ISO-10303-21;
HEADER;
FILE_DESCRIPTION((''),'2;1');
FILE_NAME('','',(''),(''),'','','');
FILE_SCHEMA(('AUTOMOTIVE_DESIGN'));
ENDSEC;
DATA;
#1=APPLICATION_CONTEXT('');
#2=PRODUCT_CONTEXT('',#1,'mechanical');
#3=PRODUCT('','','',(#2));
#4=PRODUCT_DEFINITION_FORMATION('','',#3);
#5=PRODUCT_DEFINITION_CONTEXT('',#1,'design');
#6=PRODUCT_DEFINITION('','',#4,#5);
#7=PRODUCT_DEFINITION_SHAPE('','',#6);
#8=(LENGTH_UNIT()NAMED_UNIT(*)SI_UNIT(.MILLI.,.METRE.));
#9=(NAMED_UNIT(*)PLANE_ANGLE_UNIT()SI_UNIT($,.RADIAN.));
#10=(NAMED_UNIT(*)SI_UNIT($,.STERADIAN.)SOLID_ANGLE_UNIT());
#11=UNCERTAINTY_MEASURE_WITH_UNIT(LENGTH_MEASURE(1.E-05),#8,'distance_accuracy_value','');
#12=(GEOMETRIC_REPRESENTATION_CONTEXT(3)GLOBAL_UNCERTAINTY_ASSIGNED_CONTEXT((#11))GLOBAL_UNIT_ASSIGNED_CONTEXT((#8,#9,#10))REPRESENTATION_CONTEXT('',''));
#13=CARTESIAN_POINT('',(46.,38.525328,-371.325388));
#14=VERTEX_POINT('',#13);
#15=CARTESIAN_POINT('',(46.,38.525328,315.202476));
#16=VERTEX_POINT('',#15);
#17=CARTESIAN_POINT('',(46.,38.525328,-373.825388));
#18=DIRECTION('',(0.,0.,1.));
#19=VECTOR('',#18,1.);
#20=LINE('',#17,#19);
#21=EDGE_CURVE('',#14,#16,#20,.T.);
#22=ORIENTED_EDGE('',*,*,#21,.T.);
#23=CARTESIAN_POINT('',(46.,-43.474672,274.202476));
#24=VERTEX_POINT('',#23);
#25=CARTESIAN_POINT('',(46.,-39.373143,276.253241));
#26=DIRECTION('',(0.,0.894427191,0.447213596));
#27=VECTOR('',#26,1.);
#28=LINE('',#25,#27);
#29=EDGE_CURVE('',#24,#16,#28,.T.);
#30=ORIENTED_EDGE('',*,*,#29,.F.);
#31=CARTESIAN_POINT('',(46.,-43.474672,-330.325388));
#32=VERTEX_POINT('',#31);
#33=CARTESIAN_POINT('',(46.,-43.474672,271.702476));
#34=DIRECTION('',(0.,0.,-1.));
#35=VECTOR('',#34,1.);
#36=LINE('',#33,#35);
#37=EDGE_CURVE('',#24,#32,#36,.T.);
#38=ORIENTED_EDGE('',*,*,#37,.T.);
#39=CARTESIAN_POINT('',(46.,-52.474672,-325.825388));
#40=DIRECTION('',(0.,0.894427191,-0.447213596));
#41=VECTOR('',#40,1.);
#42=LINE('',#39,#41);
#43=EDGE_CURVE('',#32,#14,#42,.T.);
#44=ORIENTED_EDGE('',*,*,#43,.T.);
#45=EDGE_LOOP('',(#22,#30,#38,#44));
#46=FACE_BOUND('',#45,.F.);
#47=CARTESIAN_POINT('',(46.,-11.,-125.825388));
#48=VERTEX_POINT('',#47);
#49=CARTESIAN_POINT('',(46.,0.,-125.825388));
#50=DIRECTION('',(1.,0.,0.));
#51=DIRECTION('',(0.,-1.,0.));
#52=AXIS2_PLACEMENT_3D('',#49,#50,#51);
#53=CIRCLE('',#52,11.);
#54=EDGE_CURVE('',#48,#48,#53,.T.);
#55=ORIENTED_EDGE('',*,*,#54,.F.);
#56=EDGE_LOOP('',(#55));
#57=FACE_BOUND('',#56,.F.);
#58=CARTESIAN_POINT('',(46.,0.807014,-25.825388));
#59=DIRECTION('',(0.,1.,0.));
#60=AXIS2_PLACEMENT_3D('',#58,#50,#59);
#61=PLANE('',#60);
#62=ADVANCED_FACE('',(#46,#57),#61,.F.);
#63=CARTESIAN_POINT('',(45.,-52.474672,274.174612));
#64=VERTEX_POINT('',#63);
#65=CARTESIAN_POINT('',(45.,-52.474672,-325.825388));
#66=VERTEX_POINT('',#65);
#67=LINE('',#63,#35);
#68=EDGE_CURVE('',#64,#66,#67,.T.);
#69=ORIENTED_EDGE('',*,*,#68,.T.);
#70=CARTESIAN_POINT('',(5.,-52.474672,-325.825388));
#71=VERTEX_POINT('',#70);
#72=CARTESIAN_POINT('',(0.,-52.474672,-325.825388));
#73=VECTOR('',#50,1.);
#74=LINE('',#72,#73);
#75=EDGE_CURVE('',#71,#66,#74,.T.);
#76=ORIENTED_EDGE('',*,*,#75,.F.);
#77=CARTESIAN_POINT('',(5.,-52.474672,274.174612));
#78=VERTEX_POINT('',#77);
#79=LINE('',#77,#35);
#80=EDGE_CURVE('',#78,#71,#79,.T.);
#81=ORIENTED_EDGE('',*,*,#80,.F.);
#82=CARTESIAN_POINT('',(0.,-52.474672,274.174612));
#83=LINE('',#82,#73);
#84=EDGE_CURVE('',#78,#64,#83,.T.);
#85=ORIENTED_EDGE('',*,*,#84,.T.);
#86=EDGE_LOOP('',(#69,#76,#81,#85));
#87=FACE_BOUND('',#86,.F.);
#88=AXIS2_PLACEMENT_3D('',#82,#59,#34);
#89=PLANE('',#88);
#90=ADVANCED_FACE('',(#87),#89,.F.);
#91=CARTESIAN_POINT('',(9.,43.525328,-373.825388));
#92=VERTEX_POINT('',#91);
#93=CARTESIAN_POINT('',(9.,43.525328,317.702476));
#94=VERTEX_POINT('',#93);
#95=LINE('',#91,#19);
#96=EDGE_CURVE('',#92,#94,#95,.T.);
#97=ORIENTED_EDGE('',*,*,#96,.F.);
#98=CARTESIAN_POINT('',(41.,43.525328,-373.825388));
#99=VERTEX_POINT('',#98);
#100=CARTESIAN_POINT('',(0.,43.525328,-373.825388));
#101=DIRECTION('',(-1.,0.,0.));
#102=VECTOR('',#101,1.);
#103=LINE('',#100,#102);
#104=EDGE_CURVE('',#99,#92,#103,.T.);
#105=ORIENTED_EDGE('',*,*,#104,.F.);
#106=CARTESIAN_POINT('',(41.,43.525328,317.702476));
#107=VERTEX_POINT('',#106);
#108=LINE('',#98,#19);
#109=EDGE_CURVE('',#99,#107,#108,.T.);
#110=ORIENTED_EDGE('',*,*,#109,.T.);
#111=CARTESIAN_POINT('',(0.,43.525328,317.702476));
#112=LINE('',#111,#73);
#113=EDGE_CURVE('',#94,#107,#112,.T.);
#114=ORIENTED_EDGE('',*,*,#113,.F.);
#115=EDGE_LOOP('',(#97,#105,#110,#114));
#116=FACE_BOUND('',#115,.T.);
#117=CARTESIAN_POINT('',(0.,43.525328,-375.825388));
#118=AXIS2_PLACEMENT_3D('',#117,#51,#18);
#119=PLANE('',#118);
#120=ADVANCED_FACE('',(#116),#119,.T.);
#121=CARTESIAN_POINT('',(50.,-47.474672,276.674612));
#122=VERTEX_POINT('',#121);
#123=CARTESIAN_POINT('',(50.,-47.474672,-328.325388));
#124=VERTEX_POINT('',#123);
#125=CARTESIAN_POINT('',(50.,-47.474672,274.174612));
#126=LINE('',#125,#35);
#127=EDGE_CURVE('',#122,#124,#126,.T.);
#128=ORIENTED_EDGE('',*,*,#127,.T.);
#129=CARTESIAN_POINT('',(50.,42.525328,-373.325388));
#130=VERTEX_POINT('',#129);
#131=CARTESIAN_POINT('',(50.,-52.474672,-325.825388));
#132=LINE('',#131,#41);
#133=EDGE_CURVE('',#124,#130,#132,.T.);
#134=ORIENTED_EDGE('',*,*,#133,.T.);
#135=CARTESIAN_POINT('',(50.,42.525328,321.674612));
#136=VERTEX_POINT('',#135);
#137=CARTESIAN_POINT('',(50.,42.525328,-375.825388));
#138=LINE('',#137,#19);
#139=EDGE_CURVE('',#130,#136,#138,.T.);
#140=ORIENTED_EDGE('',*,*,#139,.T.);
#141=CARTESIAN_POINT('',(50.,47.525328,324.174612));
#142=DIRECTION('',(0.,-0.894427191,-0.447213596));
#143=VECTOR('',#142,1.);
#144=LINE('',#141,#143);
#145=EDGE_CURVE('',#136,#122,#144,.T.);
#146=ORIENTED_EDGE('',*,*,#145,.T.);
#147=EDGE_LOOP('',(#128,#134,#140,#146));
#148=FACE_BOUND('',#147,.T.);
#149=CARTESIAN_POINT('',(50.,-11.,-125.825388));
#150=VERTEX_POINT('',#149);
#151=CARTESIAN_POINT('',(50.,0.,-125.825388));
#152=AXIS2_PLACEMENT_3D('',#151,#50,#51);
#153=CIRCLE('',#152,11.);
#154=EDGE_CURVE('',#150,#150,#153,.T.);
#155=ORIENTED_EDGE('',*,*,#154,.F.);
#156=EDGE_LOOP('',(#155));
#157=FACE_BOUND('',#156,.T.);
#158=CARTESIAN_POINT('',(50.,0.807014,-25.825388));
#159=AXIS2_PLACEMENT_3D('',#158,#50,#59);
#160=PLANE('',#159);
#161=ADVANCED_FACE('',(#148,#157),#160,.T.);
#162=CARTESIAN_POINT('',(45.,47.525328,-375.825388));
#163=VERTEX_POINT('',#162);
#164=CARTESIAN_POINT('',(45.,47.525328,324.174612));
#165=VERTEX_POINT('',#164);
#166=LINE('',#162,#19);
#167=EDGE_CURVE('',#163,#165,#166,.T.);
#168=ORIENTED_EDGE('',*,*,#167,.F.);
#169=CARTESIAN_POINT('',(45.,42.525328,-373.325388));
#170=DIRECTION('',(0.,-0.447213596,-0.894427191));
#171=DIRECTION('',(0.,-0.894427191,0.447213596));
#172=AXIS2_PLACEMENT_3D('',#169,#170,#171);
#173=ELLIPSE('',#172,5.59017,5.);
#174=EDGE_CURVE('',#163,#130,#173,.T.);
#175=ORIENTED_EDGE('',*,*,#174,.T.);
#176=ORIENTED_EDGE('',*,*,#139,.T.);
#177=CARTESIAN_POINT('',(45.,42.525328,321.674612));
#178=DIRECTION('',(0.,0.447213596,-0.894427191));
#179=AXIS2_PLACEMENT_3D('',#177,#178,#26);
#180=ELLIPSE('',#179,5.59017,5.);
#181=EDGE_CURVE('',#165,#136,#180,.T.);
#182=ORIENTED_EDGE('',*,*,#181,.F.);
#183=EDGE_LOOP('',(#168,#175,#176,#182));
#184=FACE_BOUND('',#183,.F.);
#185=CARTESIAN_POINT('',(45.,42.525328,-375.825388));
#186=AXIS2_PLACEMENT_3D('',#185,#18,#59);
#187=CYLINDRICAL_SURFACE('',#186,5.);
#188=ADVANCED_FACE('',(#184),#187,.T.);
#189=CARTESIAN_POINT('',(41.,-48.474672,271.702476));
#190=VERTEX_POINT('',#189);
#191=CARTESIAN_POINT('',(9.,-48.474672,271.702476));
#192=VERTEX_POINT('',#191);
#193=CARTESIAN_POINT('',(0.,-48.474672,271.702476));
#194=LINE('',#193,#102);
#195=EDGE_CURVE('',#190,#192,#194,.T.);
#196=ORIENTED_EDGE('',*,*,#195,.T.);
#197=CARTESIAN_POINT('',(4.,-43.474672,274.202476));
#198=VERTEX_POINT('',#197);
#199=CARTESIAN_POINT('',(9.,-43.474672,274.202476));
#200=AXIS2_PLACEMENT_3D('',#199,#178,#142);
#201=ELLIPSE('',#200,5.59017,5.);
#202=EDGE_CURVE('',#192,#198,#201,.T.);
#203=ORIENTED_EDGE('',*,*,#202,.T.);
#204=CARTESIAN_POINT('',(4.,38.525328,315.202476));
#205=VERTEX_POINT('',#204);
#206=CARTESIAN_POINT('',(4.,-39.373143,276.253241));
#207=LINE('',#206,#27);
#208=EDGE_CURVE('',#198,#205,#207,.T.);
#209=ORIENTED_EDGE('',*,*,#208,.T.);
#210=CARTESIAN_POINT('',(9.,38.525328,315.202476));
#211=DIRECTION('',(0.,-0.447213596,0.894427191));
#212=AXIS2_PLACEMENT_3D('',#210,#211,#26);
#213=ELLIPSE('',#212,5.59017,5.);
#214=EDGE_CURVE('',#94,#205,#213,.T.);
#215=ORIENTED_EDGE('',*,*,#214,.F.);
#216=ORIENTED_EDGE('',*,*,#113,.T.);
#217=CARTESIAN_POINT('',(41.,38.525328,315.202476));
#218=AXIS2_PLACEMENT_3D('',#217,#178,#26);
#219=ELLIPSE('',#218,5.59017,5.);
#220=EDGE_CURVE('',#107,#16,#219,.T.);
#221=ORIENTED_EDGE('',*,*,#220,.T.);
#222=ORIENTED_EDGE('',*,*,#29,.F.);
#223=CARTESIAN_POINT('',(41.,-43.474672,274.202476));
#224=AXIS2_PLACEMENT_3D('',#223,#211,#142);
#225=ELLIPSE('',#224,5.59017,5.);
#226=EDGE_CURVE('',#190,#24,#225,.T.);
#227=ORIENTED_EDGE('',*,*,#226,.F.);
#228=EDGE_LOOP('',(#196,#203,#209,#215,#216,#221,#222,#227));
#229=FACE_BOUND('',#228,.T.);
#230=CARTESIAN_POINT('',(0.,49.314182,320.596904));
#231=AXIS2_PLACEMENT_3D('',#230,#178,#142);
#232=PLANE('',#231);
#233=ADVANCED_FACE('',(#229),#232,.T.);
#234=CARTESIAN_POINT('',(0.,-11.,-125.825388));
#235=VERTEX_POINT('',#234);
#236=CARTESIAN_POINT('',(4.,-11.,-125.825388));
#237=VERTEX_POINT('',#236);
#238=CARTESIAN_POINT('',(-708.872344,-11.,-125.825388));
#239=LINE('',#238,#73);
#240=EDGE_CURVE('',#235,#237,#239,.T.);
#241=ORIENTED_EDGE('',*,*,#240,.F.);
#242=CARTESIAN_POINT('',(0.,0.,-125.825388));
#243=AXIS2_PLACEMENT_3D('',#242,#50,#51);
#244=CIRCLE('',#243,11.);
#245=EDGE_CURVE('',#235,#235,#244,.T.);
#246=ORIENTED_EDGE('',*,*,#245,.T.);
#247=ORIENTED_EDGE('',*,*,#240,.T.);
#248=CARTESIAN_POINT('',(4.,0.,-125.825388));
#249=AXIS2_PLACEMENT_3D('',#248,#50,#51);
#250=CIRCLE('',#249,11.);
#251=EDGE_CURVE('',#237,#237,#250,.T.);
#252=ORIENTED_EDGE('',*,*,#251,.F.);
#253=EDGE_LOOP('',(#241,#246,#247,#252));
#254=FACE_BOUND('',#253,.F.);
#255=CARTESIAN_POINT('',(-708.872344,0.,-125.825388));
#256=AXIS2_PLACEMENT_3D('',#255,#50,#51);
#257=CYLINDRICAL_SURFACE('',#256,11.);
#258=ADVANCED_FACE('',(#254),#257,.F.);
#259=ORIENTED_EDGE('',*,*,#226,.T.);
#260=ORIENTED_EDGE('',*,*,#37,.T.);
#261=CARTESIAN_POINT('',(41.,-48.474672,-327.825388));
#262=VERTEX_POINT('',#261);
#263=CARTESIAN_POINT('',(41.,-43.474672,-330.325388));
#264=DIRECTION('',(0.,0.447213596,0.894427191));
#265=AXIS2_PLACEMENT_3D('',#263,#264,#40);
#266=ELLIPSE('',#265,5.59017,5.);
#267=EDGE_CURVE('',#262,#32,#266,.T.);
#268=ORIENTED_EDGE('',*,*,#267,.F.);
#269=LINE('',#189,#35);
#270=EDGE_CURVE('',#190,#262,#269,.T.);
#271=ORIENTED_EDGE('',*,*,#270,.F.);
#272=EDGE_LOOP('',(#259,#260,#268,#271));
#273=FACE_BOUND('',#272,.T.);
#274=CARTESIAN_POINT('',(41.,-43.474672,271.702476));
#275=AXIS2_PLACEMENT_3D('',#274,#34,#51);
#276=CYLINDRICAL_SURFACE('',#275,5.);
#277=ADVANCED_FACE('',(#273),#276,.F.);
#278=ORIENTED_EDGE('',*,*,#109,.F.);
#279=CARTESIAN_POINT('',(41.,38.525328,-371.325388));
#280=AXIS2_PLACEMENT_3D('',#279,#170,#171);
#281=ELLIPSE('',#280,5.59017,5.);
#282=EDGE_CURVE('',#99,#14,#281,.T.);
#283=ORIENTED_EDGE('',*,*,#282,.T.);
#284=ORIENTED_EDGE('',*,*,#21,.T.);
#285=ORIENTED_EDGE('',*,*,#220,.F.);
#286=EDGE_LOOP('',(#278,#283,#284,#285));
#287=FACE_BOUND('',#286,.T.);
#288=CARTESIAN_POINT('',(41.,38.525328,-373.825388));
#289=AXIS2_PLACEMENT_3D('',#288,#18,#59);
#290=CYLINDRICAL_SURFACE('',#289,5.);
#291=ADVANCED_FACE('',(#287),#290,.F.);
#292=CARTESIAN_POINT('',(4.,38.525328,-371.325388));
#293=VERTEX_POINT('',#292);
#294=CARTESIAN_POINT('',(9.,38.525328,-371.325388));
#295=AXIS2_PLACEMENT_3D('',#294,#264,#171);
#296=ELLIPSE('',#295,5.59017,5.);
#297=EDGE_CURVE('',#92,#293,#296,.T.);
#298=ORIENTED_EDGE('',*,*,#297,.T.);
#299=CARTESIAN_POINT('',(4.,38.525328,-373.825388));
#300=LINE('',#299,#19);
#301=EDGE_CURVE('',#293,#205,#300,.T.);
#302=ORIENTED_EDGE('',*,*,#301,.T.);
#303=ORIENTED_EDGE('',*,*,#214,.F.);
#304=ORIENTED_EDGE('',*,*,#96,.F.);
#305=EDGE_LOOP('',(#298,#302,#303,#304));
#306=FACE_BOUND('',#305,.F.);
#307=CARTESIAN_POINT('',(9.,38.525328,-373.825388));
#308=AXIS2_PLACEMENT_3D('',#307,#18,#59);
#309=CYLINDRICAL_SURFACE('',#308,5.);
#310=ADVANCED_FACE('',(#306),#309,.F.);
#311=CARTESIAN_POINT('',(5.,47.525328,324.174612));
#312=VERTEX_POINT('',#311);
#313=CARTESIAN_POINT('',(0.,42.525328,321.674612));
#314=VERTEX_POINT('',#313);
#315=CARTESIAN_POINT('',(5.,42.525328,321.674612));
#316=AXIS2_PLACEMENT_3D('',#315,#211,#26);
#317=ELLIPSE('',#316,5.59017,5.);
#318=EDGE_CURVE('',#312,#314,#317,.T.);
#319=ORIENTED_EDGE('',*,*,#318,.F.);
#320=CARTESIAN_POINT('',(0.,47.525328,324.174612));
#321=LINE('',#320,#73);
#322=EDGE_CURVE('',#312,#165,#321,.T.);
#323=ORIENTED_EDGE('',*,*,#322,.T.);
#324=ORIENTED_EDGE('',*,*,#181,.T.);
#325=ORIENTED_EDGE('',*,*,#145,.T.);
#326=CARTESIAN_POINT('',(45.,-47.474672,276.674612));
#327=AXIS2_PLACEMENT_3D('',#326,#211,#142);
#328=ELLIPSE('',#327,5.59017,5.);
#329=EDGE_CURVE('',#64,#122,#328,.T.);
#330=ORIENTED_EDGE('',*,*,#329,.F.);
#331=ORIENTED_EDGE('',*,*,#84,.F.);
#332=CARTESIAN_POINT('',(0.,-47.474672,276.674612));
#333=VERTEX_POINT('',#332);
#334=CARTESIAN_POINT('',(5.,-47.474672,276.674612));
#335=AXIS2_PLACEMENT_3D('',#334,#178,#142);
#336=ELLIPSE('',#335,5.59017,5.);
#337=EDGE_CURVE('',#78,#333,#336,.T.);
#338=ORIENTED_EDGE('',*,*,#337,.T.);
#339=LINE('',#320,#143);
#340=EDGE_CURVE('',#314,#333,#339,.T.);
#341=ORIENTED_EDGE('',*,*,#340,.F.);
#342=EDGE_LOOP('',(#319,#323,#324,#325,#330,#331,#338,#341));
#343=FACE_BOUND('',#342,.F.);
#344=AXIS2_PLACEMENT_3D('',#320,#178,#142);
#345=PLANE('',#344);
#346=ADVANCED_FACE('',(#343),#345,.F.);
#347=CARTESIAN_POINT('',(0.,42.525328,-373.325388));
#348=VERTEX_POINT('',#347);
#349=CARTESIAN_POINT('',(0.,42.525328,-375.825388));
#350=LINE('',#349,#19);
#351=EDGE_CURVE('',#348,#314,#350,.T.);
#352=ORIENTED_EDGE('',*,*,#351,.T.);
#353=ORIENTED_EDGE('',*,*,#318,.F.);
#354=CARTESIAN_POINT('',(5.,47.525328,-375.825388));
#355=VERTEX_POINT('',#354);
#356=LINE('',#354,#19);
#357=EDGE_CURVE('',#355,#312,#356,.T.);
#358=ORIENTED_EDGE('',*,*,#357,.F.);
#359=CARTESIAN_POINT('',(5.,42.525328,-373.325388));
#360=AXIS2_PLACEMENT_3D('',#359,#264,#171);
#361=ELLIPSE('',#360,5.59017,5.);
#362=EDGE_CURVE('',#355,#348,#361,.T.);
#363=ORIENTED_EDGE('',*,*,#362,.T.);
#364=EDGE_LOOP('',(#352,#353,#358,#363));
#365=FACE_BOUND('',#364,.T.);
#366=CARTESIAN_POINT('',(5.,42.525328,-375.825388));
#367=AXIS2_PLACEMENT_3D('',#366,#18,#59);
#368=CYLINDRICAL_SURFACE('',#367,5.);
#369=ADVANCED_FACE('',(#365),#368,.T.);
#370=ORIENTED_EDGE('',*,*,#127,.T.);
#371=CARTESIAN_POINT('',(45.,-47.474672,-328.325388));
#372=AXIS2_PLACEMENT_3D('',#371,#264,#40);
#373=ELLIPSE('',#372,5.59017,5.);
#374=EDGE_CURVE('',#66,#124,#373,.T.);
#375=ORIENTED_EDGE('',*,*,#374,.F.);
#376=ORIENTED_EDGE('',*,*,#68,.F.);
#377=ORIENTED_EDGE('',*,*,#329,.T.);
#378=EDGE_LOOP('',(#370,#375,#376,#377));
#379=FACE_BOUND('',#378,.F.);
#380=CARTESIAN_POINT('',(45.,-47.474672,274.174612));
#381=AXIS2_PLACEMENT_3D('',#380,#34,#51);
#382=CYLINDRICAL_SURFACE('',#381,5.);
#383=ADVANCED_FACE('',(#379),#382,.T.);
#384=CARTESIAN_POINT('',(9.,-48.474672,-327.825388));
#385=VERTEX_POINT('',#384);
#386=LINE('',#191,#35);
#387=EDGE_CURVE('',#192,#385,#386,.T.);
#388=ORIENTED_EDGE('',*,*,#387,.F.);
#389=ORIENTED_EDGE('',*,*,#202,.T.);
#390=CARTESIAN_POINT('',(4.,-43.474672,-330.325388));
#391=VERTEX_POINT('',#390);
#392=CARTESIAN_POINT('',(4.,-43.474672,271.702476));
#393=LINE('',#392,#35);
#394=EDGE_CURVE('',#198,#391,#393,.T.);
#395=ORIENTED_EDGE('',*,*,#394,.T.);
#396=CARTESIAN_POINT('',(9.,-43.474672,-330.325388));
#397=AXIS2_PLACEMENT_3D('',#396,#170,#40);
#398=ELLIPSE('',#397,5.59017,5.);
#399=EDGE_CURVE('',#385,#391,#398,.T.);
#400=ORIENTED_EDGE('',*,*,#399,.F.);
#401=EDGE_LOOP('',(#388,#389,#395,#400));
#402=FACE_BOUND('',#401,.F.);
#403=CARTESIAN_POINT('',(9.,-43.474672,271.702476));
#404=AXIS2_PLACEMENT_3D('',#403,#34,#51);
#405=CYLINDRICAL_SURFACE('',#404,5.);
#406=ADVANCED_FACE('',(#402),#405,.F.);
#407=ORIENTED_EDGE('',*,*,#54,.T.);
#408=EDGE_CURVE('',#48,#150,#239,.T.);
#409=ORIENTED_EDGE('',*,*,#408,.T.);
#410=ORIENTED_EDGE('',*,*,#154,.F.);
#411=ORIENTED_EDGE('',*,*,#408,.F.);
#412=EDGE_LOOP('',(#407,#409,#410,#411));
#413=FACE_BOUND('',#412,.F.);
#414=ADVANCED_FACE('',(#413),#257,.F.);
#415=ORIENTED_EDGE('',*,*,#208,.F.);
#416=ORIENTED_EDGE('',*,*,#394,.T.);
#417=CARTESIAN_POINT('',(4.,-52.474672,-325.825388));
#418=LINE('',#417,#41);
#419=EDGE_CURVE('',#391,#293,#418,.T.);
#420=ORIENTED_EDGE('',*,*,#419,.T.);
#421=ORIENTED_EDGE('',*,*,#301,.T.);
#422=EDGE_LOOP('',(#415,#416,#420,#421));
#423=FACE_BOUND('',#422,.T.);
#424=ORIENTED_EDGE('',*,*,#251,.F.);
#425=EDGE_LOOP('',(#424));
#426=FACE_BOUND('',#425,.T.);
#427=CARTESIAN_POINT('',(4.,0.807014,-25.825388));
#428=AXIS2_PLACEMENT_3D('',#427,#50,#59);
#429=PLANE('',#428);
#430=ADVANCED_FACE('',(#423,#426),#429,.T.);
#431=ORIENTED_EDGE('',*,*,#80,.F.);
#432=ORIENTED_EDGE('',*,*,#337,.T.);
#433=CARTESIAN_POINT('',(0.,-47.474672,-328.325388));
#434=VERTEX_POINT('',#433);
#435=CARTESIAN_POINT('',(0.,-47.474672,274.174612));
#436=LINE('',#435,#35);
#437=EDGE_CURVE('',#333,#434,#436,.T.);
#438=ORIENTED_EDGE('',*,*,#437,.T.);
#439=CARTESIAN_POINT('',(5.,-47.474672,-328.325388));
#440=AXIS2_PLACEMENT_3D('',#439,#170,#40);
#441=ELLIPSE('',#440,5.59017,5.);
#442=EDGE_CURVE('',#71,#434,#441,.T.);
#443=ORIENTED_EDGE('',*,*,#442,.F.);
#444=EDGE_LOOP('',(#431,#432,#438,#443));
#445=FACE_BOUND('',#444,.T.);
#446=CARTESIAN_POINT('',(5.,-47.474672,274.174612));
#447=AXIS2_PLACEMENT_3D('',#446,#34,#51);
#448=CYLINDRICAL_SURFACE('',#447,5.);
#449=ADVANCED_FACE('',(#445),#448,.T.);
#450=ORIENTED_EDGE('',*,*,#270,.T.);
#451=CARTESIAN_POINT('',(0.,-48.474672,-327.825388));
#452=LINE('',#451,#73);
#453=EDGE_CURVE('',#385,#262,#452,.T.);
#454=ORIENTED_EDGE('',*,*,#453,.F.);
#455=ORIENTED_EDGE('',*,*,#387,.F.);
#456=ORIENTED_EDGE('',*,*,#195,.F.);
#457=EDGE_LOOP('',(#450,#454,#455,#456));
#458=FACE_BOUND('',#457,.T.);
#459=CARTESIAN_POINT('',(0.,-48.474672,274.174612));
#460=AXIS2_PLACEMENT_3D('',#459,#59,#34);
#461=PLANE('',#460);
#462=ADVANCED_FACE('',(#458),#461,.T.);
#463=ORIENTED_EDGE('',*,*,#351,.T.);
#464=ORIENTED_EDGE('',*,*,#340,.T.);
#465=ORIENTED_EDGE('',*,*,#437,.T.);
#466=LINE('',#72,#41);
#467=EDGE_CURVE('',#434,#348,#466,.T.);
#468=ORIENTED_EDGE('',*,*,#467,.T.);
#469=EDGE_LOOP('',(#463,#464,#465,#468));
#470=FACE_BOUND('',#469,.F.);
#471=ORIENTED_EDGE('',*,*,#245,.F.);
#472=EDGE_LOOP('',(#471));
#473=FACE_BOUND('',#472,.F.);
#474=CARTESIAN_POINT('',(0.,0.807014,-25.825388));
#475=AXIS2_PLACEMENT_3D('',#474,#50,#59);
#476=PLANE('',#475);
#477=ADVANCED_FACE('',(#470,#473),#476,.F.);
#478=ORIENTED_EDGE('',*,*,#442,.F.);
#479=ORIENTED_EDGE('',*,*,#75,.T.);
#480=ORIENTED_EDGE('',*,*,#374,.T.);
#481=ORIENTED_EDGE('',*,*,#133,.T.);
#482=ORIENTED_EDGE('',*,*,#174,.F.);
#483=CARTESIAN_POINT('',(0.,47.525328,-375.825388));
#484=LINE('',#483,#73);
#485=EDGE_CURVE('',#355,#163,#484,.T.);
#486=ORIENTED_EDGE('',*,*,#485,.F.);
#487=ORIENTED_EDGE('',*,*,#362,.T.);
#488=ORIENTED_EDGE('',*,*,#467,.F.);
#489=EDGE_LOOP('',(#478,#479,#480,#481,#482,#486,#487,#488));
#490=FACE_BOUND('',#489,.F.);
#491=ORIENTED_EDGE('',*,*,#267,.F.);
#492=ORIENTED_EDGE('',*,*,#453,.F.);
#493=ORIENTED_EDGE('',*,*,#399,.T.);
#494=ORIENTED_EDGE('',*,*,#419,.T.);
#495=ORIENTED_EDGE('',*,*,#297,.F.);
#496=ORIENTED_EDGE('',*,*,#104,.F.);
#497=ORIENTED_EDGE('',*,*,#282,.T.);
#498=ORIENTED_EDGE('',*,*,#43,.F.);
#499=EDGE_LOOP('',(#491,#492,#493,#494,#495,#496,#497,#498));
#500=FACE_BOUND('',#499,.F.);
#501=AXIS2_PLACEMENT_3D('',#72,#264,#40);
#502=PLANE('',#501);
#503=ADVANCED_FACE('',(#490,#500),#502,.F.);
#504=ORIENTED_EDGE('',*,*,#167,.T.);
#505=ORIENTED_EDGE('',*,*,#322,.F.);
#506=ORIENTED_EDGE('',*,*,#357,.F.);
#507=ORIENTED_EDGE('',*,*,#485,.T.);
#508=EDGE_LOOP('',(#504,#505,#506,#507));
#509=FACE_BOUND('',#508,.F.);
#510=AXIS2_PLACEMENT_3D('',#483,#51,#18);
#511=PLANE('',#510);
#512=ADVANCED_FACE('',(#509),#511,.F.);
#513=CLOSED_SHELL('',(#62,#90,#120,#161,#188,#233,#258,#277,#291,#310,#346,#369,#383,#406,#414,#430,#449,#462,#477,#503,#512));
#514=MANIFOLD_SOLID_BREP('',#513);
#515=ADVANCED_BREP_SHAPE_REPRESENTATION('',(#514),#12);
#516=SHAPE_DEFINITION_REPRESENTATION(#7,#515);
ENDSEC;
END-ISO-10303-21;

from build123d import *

# Parameters (mm, degrees)
F1_DEPTH = 50
F2_T     = -4
F3_R     = 5
F4_D     = 22


with BuildPart() as f1:
    # F0 (on Right) → F1 (new body)
    with BuildSketch(Plane.YZ):
        Polygon((-52.4746724886, 274.1746123904), (-52.4746724886, -325.8253876096), (47.5253275114, -375.8253876096), (47.5253275114, 324.1746123904), align=None)
    extrude(amount=F1_DEPTH)

    # F2
    f2_openings = [f1.faces().sort_by_distance(p)[0] for p in [
        (25, -2.474672, -350.825388),
    ]]
    offset(amount=F2_T, openings=f2_openings)

    # F3
    f3_edges = [f1.edges().sort_by_distance(p)[0] for p in [
        (50, -52.474672, -25.825388),
        (50, 47.525328, -25.825388),
        (0, 47.525328, -25.825388),
        (0, -52.474672, -25.825388),
        (4, -48.474672, -28.061456),
        (4, 43.525328, -28.061456),
        (46, 43.525328, -28.061456),
        (46, -48.474672, -28.061456),
    ]]
    fillet(f3_edges, radius=F3_R)

    # F4 (through all)
    with Locations(Plane(origin=(0, 0, 0), x_dir=(0, 1, 0), z_dir=(-1, 0, 0))):
        with Locations((0, 125.8253876096)):
            Hole(F4_D / 2)


solid = f1.part
